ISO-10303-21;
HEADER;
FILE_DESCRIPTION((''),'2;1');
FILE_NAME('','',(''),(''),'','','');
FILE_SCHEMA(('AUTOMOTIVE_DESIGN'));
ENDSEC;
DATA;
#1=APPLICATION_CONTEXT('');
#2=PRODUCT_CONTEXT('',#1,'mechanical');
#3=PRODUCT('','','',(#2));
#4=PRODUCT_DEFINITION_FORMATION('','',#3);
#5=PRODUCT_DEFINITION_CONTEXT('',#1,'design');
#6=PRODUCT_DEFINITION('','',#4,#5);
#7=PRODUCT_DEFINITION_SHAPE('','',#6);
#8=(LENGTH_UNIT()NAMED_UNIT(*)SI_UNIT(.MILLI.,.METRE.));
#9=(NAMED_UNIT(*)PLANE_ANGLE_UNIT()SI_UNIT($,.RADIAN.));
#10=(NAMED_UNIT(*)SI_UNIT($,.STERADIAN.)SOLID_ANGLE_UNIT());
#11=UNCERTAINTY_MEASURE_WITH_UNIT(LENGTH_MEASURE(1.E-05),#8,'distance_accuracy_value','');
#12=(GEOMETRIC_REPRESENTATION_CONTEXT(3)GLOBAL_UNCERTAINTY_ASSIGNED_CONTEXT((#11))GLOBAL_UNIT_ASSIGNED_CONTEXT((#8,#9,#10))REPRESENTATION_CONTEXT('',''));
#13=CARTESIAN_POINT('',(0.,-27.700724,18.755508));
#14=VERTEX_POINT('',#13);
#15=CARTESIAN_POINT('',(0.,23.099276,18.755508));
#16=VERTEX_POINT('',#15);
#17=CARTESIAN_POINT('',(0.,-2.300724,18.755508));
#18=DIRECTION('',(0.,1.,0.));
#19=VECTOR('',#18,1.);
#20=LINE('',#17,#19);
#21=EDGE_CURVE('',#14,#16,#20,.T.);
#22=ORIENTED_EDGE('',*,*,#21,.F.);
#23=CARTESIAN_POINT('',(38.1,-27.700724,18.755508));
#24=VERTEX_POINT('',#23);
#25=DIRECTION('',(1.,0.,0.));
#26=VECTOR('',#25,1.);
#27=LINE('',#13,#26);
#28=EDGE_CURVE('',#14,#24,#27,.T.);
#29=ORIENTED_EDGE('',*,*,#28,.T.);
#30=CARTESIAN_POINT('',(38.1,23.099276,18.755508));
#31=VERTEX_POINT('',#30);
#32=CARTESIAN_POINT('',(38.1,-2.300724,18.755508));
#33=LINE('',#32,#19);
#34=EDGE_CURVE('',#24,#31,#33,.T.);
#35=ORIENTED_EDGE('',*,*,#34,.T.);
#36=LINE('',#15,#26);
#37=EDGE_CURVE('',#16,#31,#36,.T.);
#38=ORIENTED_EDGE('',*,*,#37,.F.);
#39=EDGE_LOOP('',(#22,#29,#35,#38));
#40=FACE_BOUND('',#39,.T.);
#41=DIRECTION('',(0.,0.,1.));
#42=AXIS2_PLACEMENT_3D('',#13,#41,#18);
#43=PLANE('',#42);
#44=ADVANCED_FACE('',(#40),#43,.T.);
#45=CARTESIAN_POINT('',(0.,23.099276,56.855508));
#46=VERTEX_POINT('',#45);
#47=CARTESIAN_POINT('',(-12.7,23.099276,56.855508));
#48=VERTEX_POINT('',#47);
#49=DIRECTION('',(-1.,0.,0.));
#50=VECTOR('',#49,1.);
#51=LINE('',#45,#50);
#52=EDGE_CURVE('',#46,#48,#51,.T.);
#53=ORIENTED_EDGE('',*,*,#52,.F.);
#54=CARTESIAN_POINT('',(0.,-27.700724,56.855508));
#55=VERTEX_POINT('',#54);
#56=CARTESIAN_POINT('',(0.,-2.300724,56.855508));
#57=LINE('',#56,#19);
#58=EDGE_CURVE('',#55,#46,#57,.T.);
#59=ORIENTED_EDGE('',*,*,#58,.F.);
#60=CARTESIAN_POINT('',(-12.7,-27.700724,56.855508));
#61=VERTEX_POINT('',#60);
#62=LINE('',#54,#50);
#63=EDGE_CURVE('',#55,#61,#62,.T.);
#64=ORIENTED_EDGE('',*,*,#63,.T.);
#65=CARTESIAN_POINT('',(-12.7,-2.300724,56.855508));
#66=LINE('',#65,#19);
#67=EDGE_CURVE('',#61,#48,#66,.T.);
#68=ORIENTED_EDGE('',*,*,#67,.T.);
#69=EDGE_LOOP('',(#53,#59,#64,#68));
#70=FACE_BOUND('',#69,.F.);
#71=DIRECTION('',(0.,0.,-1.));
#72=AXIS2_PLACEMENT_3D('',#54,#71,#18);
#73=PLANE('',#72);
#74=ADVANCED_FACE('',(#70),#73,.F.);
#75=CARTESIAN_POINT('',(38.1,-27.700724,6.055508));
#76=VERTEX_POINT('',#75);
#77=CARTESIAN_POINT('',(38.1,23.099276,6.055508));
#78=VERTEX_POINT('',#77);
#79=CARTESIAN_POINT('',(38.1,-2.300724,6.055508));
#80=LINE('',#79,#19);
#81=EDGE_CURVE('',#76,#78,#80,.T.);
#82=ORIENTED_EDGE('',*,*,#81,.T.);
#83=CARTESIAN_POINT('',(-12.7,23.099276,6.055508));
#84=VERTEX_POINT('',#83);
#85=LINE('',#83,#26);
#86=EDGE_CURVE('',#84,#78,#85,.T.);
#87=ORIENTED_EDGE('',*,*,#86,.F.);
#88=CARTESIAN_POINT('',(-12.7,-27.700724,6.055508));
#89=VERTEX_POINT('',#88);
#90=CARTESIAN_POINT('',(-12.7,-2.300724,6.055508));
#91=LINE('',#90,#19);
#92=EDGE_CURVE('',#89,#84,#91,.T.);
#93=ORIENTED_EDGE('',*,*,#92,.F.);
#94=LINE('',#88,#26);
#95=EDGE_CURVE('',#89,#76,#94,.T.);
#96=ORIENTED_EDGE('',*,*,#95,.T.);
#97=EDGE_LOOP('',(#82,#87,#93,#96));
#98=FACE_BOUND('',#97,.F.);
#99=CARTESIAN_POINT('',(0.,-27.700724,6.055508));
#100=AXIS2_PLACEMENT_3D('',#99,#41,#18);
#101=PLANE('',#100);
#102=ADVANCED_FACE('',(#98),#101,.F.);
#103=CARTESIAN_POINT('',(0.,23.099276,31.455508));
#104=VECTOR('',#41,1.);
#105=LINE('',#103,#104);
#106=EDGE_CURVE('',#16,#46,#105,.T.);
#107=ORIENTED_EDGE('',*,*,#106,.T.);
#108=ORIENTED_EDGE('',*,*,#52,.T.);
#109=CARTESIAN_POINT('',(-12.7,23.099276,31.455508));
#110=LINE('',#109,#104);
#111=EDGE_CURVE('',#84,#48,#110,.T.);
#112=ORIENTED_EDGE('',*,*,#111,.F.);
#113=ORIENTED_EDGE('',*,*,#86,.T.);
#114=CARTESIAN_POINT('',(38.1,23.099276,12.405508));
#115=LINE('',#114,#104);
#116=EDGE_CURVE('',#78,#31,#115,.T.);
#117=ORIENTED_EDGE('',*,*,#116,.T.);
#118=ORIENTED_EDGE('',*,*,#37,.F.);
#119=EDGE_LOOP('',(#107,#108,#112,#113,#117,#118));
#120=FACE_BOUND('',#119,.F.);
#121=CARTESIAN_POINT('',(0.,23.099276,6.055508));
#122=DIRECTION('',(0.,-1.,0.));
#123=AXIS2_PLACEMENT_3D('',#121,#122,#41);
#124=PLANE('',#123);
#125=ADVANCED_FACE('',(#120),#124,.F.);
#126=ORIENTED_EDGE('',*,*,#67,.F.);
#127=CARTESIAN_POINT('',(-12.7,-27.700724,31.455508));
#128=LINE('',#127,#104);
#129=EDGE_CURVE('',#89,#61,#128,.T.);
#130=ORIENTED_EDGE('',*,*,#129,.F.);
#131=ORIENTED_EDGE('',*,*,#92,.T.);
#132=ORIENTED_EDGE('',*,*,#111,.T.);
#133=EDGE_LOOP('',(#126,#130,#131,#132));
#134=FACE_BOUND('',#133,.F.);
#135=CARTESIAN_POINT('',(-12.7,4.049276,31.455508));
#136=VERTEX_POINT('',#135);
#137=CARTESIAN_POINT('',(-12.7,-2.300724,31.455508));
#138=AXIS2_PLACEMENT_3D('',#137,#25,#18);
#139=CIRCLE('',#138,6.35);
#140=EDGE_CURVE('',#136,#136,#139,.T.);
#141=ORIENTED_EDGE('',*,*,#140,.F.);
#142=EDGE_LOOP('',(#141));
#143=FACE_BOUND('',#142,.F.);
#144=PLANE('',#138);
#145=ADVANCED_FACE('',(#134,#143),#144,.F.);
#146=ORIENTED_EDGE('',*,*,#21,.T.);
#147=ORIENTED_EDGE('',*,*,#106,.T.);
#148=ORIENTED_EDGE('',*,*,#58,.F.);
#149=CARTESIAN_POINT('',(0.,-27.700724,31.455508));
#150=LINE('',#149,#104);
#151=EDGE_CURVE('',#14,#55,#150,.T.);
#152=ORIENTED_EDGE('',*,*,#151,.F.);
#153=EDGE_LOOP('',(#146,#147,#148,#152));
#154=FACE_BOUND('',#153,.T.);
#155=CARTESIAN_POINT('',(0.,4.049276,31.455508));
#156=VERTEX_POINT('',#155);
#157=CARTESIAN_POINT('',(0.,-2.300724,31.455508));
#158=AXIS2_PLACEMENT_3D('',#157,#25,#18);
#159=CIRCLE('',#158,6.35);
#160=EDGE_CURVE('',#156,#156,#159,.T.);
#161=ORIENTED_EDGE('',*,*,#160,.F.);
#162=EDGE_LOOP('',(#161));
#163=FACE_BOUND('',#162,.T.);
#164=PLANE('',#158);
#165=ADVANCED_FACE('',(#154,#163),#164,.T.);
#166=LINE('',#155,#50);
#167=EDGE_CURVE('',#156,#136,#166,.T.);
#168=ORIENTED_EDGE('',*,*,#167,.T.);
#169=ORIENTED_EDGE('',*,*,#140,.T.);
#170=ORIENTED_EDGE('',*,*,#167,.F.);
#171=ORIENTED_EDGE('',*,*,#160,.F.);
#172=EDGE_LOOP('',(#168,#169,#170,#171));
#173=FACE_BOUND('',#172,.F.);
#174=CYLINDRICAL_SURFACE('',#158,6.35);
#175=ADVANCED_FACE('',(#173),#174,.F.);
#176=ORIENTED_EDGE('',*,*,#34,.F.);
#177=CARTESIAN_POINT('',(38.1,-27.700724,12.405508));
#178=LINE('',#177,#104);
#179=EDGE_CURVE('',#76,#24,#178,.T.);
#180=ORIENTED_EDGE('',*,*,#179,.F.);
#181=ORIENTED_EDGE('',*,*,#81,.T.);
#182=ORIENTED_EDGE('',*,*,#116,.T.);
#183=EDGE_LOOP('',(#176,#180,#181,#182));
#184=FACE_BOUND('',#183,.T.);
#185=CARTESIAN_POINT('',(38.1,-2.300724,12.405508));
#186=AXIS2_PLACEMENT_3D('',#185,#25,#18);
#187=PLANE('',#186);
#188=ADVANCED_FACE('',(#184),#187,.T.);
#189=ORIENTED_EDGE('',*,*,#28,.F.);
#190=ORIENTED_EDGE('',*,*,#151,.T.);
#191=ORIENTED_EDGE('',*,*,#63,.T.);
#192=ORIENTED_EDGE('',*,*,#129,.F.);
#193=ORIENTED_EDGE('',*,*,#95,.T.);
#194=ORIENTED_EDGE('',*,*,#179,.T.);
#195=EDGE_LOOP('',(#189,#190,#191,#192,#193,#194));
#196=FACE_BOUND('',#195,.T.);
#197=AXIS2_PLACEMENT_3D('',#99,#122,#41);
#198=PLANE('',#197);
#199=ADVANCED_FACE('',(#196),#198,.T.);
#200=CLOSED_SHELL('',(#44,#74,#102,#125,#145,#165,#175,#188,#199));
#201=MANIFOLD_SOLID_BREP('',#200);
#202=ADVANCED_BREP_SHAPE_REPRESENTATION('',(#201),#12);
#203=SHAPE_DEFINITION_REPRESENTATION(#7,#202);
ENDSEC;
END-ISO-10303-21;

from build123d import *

# Parameters (mm, degrees)
F0_W     = 50.8
F0_H     = 50.8
F0_R     = 6.35
F1_DEPTH = 12.7
F2_W     = 50.8
F2_H     = 12.7
F3_DEPTH = 38.1


with BuildPart() as f1:
    # F0 (on Right) → F1 (new body)
    with BuildSketch(Plane.YZ):
        with Locations((-2.300724, 31.455508)):
            Rectangle(F0_W, F0_H)
        with Locations((-2.300724, 31.455508)):
            Circle(F0_R, mode=Mode.SUBTRACT)
    extrude(amount=-F1_DEPTH)

    # F2 (on face) → F3 (join)
    with BuildSketch(Plane.YZ):
        with Locations((-2.300724, 12.405508)):
            Rectangle(F2_W, F2_H)
    extrude(amount=F3_DEPTH)


solid = f1.part
